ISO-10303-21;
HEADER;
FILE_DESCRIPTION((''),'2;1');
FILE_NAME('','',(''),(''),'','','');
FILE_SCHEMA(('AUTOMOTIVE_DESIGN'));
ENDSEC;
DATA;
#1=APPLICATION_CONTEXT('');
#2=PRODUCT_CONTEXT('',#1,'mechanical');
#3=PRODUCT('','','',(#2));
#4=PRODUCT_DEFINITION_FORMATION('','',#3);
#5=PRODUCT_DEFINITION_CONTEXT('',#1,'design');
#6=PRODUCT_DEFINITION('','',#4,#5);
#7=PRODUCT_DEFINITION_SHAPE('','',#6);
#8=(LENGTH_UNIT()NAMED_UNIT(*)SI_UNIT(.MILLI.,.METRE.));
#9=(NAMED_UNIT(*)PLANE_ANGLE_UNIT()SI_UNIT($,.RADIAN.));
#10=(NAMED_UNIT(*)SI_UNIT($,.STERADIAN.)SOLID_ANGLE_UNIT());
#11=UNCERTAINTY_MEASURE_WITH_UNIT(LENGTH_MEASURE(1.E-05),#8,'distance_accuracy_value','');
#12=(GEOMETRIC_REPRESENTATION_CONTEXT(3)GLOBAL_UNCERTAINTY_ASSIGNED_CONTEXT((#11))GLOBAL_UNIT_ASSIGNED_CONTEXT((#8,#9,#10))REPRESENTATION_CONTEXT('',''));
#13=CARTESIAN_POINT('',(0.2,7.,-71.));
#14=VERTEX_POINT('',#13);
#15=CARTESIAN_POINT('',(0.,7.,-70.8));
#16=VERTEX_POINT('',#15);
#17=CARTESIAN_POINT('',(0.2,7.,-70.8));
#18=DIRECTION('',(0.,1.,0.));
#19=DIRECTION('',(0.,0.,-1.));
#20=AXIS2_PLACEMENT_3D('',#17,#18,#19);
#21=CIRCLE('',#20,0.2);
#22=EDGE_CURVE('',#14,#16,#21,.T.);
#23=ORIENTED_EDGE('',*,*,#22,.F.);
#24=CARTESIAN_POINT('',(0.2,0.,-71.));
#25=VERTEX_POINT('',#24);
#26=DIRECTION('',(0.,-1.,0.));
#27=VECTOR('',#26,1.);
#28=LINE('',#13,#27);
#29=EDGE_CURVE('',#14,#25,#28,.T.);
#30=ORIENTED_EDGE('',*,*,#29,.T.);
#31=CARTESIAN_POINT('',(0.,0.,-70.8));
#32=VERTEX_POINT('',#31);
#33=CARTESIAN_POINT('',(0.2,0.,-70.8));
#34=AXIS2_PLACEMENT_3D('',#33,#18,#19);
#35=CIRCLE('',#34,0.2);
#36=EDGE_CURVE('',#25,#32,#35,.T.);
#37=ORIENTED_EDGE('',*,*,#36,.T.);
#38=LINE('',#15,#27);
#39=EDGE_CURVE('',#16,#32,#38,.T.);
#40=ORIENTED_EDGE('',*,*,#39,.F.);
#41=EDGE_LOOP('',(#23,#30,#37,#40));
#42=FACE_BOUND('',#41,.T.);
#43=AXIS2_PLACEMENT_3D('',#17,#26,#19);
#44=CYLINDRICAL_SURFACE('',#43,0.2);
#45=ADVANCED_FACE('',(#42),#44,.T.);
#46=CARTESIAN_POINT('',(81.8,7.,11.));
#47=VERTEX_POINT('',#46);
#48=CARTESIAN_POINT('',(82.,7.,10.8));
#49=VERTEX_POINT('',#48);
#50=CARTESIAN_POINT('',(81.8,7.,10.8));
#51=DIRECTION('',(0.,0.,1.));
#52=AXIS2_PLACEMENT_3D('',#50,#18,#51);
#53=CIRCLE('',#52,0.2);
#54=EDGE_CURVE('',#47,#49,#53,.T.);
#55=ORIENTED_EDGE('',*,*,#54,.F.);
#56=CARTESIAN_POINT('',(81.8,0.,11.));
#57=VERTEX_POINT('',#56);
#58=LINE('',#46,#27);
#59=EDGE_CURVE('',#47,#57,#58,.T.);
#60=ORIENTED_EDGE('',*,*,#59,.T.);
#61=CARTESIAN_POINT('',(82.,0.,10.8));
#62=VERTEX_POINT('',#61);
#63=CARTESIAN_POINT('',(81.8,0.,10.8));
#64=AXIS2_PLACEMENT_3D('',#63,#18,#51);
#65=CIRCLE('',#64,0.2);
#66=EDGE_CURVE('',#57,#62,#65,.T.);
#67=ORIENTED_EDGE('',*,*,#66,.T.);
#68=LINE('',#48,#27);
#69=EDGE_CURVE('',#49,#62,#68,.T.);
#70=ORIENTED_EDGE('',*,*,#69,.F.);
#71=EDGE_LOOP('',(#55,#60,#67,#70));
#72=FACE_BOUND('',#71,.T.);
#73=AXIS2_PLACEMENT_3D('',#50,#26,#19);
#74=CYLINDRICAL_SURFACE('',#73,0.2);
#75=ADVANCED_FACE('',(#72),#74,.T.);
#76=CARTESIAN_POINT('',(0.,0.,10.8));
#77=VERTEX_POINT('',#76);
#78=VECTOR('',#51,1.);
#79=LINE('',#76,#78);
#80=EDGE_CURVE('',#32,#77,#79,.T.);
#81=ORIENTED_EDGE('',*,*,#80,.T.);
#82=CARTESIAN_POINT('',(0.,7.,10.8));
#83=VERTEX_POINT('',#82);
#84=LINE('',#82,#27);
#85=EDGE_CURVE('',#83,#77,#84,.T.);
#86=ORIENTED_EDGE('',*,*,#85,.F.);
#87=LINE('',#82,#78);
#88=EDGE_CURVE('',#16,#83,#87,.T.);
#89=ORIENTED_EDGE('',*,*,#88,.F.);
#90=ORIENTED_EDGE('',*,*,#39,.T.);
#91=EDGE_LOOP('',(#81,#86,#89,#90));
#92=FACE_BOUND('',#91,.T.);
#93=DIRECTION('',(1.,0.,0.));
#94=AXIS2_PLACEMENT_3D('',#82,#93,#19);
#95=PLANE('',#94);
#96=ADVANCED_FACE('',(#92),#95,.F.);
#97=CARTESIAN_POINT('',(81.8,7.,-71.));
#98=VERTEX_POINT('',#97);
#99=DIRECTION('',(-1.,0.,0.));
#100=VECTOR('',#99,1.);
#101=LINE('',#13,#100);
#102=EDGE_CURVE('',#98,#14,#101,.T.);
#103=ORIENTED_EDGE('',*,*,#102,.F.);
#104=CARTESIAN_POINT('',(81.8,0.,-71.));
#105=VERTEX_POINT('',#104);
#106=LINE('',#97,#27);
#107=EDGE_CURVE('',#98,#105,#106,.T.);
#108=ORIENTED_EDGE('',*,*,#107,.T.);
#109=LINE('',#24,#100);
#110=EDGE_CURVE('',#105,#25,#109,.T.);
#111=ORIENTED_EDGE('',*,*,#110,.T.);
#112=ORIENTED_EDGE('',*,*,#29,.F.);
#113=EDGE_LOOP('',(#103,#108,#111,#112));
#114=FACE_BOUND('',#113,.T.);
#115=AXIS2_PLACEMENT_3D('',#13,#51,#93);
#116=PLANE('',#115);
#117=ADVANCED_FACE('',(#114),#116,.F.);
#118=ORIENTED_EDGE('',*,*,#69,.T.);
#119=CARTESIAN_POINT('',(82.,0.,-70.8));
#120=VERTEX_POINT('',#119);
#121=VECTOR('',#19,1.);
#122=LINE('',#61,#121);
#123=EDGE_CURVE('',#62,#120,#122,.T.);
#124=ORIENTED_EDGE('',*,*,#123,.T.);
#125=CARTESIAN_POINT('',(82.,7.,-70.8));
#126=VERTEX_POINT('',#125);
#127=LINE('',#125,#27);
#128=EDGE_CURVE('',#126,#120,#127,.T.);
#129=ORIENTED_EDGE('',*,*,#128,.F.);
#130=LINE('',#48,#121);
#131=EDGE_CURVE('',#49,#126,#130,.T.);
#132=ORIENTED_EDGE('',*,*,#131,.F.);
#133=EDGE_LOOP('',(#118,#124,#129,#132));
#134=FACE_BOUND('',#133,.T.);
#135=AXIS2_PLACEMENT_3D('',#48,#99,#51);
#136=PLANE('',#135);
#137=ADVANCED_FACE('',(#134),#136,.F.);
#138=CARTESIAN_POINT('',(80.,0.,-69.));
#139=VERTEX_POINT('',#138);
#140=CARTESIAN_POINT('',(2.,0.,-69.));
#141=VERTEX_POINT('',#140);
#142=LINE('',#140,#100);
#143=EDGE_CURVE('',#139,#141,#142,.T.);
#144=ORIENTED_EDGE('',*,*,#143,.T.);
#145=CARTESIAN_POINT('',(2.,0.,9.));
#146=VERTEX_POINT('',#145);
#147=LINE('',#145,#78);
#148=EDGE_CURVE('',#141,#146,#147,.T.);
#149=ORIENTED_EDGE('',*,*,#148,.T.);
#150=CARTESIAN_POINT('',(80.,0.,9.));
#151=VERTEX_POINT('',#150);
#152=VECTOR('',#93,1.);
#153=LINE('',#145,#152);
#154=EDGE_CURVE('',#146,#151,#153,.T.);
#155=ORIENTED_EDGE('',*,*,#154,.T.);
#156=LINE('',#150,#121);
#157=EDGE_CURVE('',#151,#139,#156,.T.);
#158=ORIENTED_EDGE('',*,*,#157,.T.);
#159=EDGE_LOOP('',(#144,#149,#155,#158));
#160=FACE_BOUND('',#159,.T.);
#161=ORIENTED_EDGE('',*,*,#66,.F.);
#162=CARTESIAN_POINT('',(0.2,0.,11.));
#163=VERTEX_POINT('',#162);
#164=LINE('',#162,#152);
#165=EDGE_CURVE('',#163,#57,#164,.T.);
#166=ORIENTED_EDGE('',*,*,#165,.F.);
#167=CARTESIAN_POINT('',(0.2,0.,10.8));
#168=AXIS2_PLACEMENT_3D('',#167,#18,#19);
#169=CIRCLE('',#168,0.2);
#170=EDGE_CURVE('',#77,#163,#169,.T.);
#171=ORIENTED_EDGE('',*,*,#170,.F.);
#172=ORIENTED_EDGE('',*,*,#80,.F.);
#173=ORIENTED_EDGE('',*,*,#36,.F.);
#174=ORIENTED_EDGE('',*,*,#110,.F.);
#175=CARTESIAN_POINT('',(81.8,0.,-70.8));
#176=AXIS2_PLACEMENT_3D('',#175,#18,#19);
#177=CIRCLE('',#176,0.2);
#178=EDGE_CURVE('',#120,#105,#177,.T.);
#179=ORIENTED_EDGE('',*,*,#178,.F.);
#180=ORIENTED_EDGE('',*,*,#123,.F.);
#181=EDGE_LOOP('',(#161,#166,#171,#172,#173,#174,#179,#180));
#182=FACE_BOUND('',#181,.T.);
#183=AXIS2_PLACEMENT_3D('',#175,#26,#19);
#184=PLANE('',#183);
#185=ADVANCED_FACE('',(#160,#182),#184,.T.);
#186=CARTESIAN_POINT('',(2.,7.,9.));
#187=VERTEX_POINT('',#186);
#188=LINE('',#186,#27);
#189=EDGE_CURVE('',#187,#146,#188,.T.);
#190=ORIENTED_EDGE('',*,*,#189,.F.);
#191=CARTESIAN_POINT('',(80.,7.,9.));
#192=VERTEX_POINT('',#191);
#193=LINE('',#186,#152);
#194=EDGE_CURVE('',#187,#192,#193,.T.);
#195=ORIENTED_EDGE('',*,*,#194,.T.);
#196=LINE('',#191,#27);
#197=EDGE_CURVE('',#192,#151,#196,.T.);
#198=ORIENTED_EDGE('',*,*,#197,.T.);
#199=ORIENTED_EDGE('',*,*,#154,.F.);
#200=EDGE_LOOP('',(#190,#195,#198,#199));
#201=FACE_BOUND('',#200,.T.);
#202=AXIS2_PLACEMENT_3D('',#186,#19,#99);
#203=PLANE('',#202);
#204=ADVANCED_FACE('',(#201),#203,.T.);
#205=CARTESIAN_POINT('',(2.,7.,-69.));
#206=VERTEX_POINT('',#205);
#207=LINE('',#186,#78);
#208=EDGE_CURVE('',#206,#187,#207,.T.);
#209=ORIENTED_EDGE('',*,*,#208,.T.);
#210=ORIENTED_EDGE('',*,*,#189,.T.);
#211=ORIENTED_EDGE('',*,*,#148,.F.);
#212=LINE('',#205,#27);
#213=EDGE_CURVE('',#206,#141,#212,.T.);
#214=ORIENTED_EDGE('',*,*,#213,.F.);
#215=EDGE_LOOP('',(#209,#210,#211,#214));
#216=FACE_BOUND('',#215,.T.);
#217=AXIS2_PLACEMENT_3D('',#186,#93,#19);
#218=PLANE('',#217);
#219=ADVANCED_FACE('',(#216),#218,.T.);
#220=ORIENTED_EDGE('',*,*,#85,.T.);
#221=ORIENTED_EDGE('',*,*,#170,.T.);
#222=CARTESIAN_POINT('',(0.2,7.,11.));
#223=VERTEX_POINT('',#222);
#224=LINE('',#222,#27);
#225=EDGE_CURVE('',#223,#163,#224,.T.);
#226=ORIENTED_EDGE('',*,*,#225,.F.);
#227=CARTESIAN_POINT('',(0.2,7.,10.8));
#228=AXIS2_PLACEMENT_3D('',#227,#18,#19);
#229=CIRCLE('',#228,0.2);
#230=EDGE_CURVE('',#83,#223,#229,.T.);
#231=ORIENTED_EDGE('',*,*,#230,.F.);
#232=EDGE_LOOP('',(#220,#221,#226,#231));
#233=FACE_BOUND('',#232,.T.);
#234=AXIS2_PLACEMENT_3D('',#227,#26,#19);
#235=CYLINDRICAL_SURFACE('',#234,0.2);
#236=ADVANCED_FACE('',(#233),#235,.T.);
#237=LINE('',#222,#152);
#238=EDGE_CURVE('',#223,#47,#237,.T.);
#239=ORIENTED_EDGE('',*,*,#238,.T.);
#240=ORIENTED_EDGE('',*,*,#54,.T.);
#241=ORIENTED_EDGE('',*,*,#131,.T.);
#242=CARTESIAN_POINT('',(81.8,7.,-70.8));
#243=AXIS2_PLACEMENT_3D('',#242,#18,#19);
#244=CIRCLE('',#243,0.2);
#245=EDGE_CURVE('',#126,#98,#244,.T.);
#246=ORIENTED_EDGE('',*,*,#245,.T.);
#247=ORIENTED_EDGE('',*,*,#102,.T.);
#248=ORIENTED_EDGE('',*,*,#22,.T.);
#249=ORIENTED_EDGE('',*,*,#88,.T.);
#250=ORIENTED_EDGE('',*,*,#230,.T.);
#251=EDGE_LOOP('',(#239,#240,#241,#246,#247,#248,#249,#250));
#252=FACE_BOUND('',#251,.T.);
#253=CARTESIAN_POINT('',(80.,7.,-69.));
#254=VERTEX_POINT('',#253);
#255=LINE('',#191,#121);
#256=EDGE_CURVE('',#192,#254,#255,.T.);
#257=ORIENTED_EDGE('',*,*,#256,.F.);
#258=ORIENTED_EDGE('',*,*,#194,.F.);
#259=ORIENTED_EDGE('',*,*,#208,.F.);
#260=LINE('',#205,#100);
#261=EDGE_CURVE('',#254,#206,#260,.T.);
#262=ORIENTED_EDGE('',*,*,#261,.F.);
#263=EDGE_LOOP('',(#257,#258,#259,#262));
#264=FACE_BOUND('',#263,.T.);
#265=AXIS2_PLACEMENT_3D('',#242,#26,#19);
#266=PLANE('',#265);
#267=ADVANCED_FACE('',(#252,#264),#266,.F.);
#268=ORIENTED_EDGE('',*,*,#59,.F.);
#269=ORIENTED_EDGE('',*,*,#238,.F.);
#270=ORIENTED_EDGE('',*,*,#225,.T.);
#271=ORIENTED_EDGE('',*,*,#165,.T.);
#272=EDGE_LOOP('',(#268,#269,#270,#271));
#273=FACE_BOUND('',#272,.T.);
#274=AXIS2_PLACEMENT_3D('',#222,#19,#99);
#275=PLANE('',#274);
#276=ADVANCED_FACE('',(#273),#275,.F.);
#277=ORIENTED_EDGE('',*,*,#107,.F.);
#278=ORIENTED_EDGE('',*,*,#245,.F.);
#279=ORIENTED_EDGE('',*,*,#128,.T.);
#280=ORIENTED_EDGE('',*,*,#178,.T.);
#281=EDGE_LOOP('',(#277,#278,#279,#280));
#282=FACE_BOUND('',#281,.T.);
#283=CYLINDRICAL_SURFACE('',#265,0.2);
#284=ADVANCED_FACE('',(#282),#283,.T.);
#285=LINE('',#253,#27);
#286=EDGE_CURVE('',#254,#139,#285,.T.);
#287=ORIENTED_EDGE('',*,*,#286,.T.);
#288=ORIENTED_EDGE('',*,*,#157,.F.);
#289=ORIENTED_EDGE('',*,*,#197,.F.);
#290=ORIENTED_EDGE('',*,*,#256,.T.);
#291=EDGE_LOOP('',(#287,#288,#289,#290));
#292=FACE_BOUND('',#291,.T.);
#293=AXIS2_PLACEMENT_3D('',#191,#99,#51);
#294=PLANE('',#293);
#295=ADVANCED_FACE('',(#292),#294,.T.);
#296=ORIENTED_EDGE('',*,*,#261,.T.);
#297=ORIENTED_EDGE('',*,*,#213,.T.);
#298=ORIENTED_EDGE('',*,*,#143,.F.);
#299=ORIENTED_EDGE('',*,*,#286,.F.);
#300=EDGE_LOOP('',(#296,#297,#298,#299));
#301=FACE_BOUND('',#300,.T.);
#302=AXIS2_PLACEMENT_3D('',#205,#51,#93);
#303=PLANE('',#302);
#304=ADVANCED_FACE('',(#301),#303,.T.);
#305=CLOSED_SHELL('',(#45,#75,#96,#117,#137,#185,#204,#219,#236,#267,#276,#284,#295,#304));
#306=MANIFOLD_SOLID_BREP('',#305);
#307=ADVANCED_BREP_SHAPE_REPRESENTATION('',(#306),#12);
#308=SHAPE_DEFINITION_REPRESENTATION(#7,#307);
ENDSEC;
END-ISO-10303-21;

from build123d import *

# Parameters (mm, degrees)
SKETCH1_W  = 78
SKETCH1_H  = 78
COIL_DEPTH = 7


with BuildPart() as part:
    # Sketch1 → Coil (new body)
    with BuildSketch(Plane(origin=(0, 0, 0), x_dir=(1, 0, 0), z_dir=(0, 1, 0))):
        with BuildLine():
            Line((0.2, -11), (81.8, -11))
            ThreePointArc((81.8, -11), (81.941421356, -10.941421356), (82, -10.8))
            Line((82, -10.8), (82, 70.8))
            ThreePointArc((82, 70.8), (81.941421356, 70.941421356), (81.8, 71))
            Line((81.8, 71), (0.2, 71))
            ThreePointArc((0.2, 71), (0.058578644, 70.941421356), (0, 70.8))
            Line((0, 70.8), (0, -10.8))
            ThreePointArc((0, -10.8), (0.058578644, -10.941421356), (0.2, -11))
        make_face()
        with Locations((41, 30)):
            Rectangle(SKETCH1_W, SKETCH1_H, mode=Mode.SUBTRACT)
    extrude(amount=COIL_DEPTH)


solid = part.part
